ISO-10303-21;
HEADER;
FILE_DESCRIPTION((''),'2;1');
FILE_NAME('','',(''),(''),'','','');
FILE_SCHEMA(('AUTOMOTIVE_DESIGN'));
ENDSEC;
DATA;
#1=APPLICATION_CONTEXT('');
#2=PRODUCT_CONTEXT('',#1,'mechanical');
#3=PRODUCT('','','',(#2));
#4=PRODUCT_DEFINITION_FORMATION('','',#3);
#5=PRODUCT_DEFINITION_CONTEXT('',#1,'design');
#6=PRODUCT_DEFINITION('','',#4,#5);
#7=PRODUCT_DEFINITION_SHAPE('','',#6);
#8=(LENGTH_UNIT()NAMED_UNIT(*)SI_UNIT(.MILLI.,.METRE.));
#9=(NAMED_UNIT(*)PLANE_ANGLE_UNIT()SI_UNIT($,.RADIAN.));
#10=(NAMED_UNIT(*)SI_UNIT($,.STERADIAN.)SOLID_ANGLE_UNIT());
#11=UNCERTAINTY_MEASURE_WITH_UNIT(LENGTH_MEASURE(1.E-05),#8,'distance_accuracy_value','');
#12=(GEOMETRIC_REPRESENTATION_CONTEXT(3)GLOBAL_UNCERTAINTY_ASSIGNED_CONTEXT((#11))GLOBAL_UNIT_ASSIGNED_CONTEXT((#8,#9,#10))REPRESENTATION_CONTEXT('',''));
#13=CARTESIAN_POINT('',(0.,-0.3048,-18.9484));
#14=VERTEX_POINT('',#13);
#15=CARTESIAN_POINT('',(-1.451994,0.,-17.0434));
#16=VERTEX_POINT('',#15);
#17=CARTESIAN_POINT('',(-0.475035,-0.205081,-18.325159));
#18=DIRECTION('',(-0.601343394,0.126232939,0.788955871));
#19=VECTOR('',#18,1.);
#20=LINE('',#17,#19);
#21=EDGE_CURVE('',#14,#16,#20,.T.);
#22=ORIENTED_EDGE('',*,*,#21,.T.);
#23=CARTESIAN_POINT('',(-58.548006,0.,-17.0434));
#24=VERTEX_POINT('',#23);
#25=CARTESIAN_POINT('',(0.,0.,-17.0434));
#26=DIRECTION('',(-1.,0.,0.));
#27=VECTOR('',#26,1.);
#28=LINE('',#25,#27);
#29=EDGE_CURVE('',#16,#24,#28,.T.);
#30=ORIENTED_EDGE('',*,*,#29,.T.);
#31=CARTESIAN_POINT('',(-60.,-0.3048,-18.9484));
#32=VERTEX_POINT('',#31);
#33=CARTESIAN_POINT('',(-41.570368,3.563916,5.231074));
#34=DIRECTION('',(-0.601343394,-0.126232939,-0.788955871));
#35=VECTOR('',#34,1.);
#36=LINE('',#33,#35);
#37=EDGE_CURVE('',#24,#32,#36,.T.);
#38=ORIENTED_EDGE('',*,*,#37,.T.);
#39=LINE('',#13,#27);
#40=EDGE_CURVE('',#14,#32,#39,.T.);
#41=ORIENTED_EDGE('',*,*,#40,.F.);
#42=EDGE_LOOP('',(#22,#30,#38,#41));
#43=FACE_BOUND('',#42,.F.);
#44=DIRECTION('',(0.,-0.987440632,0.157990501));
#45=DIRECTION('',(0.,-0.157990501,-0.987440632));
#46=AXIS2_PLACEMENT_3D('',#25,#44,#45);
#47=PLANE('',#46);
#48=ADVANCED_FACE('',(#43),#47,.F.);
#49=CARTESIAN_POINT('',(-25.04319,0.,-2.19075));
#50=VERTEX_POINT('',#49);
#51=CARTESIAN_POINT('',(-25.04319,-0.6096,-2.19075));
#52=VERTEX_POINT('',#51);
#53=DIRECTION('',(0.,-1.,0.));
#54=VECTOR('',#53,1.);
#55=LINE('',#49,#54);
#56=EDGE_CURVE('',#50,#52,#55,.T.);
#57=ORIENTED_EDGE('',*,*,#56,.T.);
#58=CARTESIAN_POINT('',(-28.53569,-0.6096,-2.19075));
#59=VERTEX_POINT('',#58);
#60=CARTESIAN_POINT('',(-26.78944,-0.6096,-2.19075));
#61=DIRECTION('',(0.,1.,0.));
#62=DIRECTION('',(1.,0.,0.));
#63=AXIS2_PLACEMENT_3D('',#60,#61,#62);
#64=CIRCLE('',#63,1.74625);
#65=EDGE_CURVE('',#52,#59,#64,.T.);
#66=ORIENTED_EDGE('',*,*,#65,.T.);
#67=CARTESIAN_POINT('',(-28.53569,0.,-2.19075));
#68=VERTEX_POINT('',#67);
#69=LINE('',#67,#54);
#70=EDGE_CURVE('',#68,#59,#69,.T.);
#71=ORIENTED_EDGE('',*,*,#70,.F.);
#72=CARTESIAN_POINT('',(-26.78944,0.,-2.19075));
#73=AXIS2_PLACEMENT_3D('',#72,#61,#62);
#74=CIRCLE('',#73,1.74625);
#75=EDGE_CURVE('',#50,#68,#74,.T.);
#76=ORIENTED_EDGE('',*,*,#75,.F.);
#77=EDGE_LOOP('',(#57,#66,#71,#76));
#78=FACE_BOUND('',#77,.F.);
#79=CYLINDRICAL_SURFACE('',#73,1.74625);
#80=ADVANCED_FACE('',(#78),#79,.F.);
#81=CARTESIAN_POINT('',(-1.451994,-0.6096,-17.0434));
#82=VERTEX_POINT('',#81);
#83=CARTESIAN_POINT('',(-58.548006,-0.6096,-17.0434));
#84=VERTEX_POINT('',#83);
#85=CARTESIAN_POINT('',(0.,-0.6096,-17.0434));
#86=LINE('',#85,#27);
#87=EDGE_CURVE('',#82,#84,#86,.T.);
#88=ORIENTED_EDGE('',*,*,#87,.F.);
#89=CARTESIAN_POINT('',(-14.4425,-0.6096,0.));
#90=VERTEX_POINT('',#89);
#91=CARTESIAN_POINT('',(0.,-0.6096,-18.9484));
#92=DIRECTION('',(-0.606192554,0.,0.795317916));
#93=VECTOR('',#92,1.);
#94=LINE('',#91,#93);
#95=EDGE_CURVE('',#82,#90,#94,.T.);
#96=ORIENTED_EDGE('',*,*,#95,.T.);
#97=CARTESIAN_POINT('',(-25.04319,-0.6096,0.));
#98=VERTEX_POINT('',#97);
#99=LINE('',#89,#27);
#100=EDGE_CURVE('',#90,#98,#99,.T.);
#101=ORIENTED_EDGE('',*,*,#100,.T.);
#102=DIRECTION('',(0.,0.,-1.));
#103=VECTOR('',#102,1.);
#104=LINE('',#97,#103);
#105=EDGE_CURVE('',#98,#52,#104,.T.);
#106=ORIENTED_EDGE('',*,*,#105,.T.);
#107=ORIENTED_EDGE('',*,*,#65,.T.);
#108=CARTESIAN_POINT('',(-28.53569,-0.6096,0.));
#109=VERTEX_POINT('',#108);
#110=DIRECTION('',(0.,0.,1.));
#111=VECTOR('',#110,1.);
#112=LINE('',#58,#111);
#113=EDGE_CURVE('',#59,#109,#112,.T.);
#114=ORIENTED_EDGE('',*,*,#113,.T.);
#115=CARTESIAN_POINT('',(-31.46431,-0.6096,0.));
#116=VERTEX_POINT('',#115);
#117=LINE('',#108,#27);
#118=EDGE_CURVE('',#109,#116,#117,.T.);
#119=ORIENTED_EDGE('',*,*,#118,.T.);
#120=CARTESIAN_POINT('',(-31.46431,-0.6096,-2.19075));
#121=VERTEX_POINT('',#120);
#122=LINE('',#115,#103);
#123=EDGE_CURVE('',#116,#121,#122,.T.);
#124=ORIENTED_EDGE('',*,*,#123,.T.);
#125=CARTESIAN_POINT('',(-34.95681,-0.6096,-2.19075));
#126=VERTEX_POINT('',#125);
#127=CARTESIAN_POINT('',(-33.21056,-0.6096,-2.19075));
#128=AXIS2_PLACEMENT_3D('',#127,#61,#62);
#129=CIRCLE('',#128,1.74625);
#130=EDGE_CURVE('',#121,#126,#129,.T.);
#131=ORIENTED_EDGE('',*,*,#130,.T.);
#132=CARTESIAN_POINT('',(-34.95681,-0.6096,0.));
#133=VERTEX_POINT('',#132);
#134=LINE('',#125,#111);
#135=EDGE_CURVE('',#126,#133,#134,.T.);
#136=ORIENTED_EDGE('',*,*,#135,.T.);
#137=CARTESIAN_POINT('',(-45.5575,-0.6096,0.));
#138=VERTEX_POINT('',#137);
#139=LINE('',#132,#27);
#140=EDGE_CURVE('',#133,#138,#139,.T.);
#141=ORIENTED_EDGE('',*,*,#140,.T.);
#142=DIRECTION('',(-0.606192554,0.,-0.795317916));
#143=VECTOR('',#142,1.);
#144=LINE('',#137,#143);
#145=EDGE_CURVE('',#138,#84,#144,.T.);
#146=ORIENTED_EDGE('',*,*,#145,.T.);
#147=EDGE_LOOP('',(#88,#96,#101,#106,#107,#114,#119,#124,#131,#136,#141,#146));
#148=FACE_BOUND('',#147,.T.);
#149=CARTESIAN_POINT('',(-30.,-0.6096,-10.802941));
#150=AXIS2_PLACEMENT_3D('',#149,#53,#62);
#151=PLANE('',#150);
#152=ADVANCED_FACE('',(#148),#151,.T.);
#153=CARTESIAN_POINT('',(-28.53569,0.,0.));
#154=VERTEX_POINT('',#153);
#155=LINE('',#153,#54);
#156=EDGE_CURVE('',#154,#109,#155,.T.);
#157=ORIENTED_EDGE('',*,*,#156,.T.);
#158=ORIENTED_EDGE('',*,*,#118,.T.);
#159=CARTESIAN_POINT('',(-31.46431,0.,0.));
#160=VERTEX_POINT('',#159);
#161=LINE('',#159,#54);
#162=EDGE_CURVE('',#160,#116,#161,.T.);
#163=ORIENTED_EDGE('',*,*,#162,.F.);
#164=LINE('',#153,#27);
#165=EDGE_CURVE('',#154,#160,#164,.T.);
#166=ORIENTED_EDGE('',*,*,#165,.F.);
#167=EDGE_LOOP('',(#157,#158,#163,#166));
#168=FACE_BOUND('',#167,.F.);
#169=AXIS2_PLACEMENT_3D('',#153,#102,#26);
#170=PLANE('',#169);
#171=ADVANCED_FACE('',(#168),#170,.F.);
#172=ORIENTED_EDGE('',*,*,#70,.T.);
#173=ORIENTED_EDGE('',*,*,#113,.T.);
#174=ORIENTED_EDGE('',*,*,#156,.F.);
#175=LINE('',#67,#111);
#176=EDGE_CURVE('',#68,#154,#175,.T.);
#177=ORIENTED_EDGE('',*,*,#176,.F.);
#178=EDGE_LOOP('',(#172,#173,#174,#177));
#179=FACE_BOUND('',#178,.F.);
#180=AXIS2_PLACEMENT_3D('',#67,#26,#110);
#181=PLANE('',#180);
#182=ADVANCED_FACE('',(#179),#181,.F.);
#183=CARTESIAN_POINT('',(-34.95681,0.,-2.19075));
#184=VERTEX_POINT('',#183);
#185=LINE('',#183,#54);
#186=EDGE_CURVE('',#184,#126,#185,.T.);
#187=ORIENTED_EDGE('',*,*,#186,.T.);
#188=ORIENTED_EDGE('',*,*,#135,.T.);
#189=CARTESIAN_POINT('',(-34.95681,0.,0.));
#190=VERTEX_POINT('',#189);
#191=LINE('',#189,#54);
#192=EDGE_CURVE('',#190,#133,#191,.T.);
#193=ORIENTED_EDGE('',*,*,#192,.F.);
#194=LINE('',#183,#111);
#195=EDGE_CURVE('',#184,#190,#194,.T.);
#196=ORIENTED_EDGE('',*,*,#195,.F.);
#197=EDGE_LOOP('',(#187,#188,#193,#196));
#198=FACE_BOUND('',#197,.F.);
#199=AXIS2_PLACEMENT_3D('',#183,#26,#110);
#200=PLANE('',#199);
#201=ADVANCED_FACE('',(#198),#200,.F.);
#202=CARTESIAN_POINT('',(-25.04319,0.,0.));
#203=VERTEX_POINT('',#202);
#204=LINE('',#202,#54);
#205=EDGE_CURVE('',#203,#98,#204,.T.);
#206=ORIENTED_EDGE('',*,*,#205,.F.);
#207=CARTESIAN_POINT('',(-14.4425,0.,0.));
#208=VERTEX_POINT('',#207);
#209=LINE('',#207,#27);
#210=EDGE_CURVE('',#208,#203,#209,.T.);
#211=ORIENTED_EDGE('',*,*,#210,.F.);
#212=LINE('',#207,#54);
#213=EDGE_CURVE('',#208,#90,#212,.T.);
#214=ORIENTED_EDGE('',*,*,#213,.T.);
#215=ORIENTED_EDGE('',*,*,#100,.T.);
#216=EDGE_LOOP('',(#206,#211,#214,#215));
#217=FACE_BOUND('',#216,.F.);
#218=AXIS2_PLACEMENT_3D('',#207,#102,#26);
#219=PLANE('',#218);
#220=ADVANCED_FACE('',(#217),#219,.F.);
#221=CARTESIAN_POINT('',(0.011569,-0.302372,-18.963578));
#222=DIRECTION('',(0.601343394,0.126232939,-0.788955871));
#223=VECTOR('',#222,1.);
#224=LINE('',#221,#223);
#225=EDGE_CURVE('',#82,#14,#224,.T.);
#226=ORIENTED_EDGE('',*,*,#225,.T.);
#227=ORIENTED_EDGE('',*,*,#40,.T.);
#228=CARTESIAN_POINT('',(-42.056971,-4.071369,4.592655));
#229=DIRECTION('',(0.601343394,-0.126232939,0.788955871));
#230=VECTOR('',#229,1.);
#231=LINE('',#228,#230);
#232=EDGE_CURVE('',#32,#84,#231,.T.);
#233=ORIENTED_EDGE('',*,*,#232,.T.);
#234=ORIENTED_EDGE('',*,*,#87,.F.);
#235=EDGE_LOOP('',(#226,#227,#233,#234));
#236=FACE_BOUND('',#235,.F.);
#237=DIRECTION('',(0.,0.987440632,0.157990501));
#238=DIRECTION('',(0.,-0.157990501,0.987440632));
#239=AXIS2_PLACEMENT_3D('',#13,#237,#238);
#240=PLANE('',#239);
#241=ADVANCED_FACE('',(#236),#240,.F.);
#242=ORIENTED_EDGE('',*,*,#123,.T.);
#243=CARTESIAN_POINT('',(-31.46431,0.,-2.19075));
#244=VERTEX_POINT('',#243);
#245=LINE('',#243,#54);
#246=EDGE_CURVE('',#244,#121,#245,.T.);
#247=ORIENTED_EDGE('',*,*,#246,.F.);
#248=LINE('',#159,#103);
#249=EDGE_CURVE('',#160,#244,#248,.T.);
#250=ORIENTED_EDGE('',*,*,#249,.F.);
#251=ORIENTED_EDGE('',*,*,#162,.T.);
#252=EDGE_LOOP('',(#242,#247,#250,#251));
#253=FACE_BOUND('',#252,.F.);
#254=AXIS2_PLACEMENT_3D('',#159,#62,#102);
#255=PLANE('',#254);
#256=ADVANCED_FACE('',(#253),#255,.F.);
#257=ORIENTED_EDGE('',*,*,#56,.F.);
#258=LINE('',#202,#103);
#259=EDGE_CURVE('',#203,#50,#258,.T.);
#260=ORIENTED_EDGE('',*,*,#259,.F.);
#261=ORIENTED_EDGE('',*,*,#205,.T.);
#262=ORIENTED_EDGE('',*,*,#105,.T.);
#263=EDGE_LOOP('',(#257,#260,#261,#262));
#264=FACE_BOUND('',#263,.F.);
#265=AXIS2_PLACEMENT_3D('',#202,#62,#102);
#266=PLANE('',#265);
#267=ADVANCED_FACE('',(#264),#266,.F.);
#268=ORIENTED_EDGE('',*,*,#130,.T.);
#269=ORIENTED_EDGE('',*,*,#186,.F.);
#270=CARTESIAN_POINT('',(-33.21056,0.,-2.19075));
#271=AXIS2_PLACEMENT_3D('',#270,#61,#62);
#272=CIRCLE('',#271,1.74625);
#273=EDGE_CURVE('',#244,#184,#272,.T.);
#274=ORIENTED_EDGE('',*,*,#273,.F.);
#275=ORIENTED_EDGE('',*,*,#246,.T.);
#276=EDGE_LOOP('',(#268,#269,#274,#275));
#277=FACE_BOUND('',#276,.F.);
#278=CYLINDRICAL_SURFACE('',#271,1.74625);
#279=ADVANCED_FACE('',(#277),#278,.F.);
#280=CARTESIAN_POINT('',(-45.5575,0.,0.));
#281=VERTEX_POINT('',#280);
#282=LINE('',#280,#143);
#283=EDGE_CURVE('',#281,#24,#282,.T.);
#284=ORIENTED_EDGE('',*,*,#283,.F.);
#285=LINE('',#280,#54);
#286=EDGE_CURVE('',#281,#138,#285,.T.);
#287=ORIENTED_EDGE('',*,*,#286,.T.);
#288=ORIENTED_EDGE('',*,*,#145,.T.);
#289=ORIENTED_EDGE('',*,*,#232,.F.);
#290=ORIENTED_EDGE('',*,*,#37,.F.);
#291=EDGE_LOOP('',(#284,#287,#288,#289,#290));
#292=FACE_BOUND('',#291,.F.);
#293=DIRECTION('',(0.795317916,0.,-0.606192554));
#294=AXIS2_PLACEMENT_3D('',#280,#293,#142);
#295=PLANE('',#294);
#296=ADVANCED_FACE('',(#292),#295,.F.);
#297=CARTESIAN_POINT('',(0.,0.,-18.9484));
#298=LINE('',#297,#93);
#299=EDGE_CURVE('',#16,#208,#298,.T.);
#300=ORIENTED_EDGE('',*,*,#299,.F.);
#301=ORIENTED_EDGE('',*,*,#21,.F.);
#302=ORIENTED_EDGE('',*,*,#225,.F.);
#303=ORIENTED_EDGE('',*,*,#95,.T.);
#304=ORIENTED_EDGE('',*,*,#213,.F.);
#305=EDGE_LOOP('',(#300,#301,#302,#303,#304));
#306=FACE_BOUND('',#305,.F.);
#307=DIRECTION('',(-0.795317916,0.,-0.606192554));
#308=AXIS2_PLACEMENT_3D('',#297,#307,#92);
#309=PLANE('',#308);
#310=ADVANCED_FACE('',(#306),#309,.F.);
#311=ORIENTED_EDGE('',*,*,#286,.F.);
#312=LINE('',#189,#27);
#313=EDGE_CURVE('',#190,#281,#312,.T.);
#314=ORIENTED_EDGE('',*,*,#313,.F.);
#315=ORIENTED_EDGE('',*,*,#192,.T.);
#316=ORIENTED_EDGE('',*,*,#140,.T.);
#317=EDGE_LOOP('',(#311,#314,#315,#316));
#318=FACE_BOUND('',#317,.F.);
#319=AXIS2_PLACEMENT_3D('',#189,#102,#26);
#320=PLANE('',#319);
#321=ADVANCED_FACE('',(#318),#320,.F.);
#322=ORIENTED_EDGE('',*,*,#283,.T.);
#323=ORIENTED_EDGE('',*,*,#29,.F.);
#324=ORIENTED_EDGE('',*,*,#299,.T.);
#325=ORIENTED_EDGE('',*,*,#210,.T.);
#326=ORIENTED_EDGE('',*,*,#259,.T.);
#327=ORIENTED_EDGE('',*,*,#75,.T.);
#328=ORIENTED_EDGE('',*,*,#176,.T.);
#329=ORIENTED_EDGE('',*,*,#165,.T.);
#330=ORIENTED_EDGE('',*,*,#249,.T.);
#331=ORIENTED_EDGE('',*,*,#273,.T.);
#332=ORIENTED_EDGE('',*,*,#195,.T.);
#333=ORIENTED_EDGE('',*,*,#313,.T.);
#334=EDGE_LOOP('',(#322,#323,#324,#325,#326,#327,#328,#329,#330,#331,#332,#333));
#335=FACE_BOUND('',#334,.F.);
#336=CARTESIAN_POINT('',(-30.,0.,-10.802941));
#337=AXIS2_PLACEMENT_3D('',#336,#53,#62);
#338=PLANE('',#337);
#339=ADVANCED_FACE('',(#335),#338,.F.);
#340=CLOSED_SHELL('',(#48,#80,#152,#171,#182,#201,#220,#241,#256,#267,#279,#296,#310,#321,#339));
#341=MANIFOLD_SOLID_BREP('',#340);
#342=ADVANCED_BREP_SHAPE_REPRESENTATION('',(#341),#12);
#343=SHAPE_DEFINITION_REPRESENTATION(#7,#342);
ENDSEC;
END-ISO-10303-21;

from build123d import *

# Parameters (mm, degrees)
F1_DEPTH = 0.6096
F3_DEPTH = 60.001


with BuildPart() as f1:
    # F0 (on Front) → F1 (new body)
    with BuildSketch(Plane.XZ):
        with BuildLine():
            Line((-60, -18.9484), (0, -18.9484))
            Line((0, -18.9484), (-14.4425, 0))
            Line((-14.4425, 0), (-25.04319, 0))
            Line((-25.04319, 0), (-25.04319, -2.19075))
            ThreePointArc((-25.04319, -2.19075), (-26.78944, -3.937), (-28.53569, -2.19075))
            Line((-28.53569, -2.19075), (-28.53569, 0))
            Line((-28.53569, 0), (-31.46431, 0))
            Line((-31.46431, 0), (-31.46431, -2.19075))
            ThreePointArc((-31.46431, -2.19075), (-33.21056, -3.937), (-34.95681, -2.19075))
            Line((-34.95681, -2.19075), (-34.95681, 0))
            Line((-34.95681, 0), (-45.5575, 0))
            Line((-45.5575, 0), (-60, -18.9484))
        make_face()
    extrude(amount=F1_DEPTH)

    # F2 (on Right) → F3 (cut, through all)
    with BuildSketch(Plane.YZ):
        Polygon((0, -17.0434), (-0.3048, -18.9484), (0, -18.9484), align=None)
        Polygon((-0.3048, -18.9484), (-0.6096, -17.0434), (-0.6096, -18.9484), align=None)
    extrude(amount=-F3_DEPTH, mode=Mode.SUBTRACT)


solid = f1.part
